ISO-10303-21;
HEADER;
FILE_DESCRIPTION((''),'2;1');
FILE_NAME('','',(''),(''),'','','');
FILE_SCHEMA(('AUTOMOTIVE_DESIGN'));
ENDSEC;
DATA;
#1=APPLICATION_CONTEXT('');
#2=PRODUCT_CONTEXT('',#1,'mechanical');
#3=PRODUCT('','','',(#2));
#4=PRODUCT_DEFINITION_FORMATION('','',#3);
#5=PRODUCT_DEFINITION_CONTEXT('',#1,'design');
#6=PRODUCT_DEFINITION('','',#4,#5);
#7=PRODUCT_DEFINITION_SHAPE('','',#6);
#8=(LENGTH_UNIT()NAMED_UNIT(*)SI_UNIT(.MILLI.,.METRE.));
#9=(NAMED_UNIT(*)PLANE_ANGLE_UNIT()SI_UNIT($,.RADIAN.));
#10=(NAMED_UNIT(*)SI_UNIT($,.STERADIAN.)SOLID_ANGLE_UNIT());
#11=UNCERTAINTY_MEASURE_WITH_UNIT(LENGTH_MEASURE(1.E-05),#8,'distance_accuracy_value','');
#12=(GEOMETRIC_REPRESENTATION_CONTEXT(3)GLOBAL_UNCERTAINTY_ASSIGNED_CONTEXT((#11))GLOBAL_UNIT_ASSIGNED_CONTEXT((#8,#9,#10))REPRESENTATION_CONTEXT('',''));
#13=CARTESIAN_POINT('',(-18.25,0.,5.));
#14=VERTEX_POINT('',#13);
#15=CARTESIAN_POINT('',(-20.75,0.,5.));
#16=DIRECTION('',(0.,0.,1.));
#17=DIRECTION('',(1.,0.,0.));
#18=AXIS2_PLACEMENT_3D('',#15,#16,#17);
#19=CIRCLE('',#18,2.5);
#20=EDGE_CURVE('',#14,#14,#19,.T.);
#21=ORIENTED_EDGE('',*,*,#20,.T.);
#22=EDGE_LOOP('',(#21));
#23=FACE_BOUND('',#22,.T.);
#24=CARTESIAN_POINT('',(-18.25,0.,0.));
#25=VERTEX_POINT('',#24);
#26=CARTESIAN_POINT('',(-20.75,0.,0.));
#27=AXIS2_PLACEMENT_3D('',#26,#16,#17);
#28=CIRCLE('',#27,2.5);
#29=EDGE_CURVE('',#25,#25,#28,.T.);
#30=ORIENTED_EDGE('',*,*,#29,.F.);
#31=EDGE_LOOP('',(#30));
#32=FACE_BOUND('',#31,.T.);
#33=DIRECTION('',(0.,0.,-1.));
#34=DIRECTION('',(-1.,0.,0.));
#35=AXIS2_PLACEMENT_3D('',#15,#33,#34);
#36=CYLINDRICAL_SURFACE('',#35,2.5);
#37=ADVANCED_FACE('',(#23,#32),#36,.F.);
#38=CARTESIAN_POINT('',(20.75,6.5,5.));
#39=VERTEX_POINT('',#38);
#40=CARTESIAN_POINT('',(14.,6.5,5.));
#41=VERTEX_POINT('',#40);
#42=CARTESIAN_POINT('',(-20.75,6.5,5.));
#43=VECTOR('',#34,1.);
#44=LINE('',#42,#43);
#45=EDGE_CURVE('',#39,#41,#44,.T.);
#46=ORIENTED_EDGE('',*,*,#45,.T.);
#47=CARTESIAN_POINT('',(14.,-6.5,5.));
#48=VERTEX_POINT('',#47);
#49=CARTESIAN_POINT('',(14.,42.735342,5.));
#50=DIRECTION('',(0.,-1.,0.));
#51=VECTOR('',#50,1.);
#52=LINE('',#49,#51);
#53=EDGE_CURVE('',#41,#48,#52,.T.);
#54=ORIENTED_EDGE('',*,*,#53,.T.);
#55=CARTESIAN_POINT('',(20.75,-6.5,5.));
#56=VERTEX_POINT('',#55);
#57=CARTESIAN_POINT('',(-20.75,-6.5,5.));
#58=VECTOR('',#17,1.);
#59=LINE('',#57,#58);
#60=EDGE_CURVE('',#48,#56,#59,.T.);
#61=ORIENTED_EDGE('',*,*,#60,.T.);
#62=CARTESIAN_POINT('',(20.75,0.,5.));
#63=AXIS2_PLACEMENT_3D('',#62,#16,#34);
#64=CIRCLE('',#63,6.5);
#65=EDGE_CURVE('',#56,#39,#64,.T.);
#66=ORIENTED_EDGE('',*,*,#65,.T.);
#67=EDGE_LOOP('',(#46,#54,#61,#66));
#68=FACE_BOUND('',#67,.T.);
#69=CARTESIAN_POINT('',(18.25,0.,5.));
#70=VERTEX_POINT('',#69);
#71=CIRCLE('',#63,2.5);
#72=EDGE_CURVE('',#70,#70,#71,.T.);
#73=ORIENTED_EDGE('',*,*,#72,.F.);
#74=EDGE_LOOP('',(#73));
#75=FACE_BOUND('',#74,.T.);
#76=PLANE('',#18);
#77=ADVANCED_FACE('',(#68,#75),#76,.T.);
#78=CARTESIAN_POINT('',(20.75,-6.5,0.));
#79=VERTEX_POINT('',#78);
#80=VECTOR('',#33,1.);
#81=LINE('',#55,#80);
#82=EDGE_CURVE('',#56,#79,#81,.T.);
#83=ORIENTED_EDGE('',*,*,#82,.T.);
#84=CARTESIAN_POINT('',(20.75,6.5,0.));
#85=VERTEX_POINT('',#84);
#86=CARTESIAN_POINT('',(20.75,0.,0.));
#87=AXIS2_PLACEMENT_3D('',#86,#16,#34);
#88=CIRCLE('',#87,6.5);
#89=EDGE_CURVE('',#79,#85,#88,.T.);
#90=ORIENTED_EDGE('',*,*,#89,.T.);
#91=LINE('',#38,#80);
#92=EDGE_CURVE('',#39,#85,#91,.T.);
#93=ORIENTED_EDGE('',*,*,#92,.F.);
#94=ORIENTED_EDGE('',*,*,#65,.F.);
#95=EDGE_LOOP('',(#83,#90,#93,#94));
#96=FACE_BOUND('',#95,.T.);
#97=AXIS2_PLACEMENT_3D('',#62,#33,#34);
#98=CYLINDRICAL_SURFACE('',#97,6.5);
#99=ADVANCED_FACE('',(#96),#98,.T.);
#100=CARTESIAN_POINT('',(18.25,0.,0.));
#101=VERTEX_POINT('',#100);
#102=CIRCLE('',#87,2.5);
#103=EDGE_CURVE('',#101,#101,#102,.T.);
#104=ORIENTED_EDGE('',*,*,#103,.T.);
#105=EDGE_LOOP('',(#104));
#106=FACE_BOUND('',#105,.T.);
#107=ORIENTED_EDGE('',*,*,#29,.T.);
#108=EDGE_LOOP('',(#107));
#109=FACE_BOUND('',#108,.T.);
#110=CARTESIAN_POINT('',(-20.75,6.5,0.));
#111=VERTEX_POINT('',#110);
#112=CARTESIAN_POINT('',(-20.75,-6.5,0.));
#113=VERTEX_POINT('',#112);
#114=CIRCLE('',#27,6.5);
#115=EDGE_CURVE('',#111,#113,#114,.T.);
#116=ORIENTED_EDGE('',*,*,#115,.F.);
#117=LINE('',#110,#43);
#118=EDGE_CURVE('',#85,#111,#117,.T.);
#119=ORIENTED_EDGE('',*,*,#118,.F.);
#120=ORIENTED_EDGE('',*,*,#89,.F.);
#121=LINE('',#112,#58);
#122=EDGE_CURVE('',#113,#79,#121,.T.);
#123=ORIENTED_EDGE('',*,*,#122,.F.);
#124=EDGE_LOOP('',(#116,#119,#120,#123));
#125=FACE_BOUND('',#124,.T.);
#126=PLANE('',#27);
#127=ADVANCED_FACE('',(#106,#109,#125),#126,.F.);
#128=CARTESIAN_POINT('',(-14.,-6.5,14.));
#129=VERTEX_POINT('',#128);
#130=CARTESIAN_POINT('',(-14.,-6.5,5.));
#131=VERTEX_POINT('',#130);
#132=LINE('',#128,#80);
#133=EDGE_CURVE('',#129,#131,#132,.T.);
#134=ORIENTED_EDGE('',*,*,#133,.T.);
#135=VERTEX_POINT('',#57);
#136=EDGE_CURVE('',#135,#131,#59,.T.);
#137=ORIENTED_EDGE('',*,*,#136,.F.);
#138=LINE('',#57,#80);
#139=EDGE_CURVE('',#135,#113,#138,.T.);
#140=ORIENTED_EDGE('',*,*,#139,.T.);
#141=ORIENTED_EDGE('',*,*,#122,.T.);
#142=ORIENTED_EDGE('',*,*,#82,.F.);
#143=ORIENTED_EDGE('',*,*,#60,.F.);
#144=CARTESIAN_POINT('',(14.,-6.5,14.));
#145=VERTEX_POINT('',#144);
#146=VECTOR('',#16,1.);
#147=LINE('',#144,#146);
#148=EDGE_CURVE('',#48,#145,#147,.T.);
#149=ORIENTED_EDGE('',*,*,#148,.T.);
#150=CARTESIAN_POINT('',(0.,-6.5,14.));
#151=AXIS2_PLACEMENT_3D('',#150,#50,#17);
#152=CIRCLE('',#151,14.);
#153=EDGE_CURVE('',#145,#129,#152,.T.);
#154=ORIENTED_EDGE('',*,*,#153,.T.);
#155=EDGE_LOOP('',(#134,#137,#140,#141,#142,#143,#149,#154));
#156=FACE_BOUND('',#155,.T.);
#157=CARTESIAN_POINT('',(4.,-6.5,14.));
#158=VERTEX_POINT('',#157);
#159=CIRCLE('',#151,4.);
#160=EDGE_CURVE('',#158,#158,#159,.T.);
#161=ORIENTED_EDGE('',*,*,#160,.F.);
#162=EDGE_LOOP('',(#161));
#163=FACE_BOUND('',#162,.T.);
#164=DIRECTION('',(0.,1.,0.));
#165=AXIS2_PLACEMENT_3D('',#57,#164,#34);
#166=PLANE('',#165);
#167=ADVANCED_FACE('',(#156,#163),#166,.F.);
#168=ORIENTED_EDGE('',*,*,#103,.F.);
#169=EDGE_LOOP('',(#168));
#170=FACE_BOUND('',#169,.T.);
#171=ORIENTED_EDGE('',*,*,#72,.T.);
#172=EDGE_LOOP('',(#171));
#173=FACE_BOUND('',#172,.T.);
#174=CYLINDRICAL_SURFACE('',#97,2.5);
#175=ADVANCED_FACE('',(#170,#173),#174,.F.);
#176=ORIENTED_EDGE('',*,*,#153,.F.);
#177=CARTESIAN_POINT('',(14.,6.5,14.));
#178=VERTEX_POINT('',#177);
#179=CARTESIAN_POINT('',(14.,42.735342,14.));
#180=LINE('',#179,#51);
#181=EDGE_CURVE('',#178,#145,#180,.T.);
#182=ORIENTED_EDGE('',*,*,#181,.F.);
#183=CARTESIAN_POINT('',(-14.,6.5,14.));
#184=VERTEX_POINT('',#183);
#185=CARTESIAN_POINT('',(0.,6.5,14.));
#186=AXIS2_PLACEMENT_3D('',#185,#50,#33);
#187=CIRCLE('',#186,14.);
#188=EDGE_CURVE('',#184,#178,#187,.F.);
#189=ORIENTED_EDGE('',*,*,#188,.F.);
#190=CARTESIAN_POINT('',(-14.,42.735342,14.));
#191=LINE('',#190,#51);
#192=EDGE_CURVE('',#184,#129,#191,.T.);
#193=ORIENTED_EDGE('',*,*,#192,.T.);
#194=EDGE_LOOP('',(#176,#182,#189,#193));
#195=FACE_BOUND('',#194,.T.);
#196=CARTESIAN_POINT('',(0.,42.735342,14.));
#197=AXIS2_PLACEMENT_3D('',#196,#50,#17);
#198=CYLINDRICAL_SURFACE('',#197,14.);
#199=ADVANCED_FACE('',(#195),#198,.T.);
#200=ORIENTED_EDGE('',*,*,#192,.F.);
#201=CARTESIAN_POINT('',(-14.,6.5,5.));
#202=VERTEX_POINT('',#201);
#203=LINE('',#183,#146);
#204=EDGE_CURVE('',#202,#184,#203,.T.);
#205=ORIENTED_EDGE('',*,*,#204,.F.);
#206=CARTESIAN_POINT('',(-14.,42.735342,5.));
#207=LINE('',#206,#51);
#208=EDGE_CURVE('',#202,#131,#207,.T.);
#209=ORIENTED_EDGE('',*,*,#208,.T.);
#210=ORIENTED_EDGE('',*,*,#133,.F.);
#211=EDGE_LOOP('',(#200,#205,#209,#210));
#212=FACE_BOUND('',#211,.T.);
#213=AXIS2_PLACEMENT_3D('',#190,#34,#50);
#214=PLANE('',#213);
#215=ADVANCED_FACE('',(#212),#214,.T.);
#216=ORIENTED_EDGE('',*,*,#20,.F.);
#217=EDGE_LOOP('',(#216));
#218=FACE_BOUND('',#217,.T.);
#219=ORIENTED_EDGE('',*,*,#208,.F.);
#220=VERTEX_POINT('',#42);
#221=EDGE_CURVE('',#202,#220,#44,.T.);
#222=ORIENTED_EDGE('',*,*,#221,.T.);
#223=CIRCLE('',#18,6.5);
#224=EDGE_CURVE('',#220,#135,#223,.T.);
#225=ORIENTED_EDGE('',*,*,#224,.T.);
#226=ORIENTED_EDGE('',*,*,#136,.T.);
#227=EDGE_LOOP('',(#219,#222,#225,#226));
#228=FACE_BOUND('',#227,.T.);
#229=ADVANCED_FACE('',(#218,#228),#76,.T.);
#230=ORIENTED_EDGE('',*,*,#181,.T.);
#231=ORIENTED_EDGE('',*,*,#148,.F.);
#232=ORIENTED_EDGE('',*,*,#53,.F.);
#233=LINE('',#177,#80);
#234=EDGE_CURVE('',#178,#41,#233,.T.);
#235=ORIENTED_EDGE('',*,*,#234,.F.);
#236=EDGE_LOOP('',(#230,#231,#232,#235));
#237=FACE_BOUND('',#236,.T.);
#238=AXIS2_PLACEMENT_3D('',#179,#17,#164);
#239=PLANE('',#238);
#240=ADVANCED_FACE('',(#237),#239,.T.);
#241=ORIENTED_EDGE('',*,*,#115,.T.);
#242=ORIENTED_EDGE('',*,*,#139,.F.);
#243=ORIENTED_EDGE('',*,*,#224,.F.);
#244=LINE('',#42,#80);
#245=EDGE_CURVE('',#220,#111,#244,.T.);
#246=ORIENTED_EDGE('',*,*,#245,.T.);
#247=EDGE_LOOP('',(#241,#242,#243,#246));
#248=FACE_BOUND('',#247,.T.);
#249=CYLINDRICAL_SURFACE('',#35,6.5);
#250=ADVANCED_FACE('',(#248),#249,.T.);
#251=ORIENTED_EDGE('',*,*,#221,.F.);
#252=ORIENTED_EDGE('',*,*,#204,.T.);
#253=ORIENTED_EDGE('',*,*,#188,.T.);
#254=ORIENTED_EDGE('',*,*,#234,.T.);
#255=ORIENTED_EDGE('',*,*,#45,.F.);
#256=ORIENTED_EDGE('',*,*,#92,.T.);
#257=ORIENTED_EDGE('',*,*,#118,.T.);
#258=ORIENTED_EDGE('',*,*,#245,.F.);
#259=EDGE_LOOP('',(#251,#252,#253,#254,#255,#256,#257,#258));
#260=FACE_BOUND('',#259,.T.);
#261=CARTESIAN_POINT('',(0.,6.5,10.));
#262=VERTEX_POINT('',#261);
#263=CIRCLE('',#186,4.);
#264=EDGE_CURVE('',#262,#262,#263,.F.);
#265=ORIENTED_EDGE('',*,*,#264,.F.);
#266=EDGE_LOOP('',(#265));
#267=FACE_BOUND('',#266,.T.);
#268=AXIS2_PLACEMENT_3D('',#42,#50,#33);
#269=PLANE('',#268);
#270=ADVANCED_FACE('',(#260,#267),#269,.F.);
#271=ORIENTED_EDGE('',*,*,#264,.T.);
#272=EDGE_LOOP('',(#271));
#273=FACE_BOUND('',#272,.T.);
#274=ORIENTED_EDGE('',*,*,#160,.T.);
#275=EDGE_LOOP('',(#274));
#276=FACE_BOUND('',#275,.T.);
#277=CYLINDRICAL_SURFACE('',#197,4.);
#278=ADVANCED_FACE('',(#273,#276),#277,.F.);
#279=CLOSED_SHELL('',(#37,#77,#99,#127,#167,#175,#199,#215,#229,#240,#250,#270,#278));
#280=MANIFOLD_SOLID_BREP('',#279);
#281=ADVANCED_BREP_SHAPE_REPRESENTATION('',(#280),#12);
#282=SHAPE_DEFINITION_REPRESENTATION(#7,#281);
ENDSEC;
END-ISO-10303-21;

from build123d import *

# Parameters (mm, degrees)
SKETCH_1_R      = 2.5
EXTRUDE_1_DEPTH = 5
SKETCH_2_R      = 4
EXTRUDE_2_DEPTH = 13


with BuildPart() as part:
    # 草图1 → 凸台-拉伸1 (new body)
    with BuildSketch(Plane.XY):
        with BuildLine():
            Line((-20.75, -6.5), (20.75, -6.5))
            ThreePointArc((20.75, -6.5), (27.25, 0), (20.75, 6.5))
            Line((20.75, 6.5), (-20.75, 6.5))
            ThreePointArc((-20.75, 6.5), (-27.25, 0), (-20.75, -6.5))
        make_face()
        with Locations((-20.75, 0)):
            Circle(SKETCH_1_R, mode=Mode.SUBTRACT)
        with Locations((20.75, 0)):
            Circle(SKETCH_1_R, mode=Mode.SUBTRACT)
    extrude(amount=EXTRUDE_1_DEPTH)

    # 草图2 → 凸台-拉伸2 (add)
    with BuildSketch(Plane.XZ.offset(6.5)):
        with BuildLine():
            Line((-14, 14), (-14, 5))
            Line((-14, 5), (14, 5))
            Line((14, 5), (14, 14))
            ThreePointArc((14, 14), (0, 28), (-14, 14))
        make_face()
        with Locations((0, 14)):
            Circle(SKETCH_2_R, mode=Mode.SUBTRACT)
    extrude(amount=-EXTRUDE_2_DEPTH)


solid = part.part
